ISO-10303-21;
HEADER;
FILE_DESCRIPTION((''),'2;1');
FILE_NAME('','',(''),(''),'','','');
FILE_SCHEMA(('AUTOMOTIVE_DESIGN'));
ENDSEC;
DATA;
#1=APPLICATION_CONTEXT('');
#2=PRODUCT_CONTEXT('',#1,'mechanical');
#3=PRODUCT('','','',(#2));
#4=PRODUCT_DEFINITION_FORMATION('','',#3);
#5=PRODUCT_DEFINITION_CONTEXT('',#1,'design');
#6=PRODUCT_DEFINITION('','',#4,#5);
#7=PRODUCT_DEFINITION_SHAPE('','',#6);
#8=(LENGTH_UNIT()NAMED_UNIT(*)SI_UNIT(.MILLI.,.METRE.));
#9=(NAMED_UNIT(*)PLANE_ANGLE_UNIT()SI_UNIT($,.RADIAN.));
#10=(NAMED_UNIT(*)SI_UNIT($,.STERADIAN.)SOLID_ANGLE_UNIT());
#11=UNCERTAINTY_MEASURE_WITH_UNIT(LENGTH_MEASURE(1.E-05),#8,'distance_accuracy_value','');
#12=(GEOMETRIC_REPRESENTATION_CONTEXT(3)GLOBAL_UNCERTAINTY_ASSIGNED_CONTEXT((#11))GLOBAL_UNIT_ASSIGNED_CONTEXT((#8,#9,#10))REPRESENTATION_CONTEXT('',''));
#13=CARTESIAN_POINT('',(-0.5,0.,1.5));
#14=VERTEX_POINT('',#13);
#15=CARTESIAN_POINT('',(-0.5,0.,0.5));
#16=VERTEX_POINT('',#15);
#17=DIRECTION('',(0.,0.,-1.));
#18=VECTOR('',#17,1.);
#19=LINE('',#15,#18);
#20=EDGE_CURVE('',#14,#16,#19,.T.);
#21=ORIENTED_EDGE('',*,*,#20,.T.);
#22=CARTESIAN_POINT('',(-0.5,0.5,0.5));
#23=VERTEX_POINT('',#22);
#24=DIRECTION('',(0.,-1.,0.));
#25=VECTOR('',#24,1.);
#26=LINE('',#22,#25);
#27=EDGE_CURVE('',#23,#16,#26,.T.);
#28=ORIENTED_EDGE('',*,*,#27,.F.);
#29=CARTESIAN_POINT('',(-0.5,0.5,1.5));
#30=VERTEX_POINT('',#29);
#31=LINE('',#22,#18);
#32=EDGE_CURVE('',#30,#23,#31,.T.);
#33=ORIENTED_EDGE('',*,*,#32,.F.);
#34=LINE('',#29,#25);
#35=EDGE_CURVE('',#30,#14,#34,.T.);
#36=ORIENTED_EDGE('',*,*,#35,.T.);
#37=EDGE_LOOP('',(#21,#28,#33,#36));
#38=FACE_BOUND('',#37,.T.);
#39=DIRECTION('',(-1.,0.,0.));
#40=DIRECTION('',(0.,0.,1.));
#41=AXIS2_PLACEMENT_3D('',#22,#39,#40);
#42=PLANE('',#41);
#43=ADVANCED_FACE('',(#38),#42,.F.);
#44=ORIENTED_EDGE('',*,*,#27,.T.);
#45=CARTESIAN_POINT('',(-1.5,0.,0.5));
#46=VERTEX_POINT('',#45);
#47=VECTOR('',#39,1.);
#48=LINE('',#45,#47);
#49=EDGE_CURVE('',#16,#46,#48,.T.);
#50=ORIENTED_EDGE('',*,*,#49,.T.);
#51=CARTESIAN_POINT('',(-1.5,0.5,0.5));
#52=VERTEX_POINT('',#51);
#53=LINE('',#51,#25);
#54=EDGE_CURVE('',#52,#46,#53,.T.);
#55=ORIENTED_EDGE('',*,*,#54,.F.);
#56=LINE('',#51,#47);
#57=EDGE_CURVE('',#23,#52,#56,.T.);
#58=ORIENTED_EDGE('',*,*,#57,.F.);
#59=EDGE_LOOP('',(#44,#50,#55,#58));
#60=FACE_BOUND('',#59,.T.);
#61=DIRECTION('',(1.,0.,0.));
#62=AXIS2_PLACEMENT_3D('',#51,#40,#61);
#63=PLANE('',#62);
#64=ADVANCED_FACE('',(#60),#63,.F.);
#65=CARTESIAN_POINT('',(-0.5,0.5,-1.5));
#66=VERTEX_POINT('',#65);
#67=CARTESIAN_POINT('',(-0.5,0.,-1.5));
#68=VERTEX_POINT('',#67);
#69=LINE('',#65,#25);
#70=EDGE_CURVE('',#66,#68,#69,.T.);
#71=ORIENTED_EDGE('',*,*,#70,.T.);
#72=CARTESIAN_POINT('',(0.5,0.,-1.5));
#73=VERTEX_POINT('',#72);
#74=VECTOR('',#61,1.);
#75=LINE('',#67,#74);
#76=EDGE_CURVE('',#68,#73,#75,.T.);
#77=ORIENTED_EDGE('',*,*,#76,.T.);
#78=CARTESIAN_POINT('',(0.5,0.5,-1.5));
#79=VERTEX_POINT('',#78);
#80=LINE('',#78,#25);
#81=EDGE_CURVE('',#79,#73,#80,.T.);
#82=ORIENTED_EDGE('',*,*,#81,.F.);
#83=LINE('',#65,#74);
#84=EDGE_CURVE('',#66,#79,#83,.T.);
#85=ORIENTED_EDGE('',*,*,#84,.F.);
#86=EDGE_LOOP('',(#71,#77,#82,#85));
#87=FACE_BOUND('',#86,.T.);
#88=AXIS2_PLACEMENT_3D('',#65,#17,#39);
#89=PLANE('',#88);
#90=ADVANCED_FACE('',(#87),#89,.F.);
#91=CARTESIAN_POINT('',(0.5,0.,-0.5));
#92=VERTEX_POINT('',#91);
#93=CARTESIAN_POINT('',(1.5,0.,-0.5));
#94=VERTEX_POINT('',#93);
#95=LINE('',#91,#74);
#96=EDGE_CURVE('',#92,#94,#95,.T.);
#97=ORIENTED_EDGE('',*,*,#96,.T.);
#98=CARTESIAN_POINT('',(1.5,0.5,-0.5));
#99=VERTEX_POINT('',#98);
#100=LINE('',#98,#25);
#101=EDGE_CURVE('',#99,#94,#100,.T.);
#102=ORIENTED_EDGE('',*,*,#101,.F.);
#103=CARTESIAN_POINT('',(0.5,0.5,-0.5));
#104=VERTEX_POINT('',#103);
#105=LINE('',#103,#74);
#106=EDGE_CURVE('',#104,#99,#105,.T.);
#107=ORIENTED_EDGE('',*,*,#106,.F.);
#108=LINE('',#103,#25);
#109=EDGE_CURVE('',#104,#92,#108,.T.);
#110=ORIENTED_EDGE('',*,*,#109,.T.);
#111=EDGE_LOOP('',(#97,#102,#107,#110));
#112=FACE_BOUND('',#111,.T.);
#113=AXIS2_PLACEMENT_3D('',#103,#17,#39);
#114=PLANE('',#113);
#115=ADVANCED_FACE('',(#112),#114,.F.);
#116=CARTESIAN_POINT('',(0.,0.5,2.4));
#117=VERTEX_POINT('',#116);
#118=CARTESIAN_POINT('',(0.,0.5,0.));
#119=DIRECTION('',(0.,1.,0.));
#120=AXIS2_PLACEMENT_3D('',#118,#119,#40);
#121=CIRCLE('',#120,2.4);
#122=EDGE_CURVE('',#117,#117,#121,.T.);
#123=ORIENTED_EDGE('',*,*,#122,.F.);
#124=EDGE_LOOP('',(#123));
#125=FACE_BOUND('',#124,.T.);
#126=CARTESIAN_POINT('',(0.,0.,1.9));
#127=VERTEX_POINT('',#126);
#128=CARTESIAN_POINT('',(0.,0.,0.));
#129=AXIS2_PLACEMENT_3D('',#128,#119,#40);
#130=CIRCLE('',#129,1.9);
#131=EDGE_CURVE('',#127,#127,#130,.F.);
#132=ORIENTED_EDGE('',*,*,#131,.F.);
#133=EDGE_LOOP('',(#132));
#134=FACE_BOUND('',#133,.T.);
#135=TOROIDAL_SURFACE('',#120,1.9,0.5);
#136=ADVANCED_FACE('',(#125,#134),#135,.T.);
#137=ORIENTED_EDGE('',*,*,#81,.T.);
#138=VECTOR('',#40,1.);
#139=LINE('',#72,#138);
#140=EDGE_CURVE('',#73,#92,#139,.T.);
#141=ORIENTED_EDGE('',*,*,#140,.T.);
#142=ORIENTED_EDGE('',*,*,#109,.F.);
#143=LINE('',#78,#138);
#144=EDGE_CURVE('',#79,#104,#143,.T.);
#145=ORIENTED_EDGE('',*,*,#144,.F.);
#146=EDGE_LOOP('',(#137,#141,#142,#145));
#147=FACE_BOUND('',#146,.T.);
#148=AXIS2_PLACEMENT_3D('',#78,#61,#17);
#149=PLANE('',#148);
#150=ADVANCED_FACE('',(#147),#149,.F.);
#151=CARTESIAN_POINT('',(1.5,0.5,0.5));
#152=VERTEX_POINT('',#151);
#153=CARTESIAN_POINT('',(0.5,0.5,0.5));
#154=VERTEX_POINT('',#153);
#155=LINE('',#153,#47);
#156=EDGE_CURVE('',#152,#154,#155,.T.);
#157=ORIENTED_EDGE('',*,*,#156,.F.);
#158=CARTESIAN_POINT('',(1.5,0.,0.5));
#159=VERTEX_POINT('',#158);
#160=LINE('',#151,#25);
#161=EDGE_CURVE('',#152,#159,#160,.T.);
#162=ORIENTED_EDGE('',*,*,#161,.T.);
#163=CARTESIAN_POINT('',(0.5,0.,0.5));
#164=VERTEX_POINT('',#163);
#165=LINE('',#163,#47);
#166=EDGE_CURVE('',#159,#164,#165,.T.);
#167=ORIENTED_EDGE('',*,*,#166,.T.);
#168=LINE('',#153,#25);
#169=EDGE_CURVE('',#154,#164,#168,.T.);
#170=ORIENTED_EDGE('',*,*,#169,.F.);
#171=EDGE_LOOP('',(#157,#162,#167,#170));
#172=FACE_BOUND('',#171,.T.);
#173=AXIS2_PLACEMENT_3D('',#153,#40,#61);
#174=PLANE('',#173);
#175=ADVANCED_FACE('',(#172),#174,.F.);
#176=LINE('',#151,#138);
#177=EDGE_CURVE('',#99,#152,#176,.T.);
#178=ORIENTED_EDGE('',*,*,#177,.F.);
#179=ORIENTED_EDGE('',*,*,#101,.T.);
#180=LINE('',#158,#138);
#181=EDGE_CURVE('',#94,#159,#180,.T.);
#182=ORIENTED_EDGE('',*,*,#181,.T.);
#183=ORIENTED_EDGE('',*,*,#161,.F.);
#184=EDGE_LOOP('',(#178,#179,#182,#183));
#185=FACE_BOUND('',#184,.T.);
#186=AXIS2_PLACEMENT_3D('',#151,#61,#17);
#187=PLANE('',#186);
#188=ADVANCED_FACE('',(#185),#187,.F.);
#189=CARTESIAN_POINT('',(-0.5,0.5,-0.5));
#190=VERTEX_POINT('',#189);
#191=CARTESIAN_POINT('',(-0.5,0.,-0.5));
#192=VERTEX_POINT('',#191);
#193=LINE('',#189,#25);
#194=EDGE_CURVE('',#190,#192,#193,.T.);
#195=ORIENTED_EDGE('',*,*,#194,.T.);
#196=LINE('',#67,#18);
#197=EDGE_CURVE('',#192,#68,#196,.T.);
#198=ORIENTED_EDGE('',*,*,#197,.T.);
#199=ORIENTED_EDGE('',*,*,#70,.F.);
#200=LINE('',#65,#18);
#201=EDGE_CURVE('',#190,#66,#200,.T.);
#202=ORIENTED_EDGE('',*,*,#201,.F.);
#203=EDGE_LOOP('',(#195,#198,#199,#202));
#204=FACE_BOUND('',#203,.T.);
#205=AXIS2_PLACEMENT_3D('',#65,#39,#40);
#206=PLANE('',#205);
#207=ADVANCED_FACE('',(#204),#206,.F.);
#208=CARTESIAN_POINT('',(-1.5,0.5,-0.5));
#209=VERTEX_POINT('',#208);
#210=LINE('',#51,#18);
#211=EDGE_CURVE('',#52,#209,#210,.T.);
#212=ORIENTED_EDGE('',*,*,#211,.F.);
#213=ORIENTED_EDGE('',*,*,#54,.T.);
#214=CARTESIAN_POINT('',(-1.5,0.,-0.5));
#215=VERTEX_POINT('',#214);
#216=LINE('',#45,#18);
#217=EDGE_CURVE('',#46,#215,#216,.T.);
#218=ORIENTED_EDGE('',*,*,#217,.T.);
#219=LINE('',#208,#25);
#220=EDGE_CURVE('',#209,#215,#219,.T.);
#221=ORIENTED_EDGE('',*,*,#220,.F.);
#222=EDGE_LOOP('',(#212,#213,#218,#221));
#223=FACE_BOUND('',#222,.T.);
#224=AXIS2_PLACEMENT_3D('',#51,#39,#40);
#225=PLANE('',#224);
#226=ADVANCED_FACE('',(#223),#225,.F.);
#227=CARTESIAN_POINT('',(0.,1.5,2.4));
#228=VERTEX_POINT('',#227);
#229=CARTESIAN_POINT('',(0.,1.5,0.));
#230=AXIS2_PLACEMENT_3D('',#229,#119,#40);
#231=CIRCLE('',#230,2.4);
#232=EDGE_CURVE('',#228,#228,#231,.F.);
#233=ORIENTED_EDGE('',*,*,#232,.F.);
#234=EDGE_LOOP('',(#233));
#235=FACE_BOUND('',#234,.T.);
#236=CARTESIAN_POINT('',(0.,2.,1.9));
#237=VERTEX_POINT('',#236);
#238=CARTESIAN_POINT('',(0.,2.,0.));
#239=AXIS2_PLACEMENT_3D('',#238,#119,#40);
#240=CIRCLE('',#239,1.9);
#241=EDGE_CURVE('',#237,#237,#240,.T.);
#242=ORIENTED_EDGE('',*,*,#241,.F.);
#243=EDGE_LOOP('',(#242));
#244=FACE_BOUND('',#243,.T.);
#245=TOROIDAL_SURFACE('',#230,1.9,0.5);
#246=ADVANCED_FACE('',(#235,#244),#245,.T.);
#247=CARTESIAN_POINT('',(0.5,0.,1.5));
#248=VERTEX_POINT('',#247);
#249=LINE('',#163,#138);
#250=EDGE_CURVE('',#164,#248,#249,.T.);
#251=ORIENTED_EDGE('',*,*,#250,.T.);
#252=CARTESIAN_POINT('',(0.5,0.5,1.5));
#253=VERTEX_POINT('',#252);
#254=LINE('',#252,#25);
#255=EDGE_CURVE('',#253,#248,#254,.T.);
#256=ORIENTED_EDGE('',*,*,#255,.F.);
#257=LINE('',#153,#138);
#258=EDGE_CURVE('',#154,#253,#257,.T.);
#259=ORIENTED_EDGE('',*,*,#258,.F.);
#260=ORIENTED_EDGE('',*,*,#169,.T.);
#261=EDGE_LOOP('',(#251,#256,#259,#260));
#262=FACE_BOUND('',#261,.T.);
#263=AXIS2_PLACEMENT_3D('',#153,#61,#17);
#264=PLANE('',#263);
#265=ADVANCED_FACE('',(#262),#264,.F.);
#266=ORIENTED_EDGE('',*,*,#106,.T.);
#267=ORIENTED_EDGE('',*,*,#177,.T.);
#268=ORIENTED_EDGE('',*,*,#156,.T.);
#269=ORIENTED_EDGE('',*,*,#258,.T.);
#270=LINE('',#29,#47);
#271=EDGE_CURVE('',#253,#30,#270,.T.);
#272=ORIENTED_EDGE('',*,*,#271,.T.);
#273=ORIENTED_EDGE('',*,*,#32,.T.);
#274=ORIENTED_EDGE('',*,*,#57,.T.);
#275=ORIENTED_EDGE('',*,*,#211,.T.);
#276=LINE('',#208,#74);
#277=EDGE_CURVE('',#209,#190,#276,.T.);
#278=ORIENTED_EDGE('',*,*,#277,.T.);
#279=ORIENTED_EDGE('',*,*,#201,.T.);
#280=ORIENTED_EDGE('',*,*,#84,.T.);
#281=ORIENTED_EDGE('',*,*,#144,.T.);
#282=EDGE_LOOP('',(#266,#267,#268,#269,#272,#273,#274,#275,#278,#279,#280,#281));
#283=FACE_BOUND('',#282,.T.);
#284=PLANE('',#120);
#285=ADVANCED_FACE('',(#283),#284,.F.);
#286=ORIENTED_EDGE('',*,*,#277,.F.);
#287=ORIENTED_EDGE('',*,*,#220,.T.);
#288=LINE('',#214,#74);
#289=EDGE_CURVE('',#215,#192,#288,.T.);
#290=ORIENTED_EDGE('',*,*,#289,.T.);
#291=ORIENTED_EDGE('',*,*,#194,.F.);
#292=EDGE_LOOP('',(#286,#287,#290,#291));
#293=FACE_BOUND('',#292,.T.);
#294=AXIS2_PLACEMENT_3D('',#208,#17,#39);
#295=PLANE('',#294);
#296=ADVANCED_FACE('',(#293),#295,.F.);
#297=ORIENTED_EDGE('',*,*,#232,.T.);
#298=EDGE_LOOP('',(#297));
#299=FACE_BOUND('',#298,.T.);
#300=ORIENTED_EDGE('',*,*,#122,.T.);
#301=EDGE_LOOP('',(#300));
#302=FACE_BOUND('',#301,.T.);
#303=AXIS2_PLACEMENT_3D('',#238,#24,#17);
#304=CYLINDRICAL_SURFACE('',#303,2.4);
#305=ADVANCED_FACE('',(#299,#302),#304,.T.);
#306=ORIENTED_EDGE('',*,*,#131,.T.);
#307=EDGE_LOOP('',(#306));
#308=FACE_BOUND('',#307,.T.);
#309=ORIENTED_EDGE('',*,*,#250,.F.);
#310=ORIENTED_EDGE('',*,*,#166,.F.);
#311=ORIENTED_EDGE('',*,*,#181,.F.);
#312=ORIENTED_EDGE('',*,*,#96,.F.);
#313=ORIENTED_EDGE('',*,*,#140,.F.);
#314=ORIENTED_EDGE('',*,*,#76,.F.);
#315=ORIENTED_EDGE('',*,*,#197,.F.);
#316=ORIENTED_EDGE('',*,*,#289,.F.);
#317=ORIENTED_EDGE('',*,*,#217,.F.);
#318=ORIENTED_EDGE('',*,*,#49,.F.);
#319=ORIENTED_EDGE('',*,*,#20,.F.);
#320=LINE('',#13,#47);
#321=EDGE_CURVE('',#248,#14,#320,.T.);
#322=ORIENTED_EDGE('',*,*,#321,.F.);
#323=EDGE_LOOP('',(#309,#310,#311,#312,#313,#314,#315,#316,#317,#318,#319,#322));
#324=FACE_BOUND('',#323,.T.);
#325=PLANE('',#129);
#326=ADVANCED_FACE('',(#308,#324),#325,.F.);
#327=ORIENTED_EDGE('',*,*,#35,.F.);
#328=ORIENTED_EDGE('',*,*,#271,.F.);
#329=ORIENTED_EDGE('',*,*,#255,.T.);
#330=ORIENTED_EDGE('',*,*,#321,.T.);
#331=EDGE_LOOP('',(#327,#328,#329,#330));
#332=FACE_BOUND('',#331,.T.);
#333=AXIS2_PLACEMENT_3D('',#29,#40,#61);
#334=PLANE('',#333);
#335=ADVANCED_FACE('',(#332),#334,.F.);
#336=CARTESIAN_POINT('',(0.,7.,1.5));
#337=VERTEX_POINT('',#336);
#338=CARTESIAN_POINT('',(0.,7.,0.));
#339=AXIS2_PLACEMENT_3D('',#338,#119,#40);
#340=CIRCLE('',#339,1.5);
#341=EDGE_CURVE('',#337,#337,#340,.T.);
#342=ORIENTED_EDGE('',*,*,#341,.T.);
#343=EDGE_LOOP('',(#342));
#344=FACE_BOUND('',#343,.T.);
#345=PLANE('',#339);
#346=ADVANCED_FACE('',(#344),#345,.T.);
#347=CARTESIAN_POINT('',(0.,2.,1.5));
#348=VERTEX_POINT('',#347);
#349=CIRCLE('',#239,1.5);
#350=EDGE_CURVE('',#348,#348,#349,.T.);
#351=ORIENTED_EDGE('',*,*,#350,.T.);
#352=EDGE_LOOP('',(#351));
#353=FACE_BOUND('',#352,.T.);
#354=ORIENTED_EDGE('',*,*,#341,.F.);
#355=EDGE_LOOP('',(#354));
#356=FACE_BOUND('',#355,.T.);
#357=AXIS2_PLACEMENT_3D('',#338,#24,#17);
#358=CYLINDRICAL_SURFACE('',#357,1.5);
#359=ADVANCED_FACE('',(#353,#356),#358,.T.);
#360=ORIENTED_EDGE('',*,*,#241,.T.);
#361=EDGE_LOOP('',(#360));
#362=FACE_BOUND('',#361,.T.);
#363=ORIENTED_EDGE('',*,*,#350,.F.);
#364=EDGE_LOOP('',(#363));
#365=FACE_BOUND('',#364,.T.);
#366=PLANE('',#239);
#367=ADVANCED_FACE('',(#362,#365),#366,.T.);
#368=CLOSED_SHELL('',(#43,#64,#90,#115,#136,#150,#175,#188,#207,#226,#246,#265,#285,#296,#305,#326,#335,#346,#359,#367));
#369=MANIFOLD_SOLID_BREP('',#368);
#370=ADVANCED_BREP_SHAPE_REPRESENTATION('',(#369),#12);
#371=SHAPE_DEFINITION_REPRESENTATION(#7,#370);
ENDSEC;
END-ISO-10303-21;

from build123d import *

# Parameters (mm, degrees)
SKETCH1_R           = 2.4
BOSS_EXTRUDE1_DEPTH = 2
SKETCH2_R           = 1.5
BOSS_EXTRUDE2_DEPTH = 5
FILLET1_R           = 0.5
CUT_EXTRUDE1_DEPTH  = 0.5


with BuildPart() as part:
    # Sketch1 → Boss-Extrude1 (new body)
    with BuildSketch(Plane(origin=(0, 0, 0), x_dir=(1, 0, 0), z_dir=(0, 1, 0))):
        with Locations(Location((0, 0, 0), (0, 0, 270))):
            Circle(SKETCH1_R)
    extrude(amount=BOSS_EXTRUDE1_DEPTH)

    # Sketch2 → Boss-Extrude2 (add)
    with BuildSketch(Plane(origin=(0, 2, 0), x_dir=(1, 0, 0), z_dir=(0, 1, 0))):
        with Locations(Location((0, 0, 0), (0, 0, 270))):
            Circle(SKETCH2_R)
    extrude(amount=BOSS_EXTRUDE2_DEPTH)

    # Fillet1
    fillet1_edges = [part.edges().sort_by_distance(p)[0] for p in [
        (0, 0, -2.4),
        (0, 2, -2.4),
    ]]
    fillet(fillet1_edges, radius=FILLET1_R)

    # Sketch3 → Cut-Extrude1 (cut)
    with BuildSketch(Plane.XZ):
        Polygon((0.5, 0.5), (1.5, 0.5), (1.5, -0.5), (0.5, -0.5), (0.5, -1.5), (-0.5, -1.5), (-0.5, -0.5), (-1.5, -0.5), (-1.5, 0.5), (-0.5, 0.5), (-0.5, 1.5), (0.5, 1.5), align=None)
    extrude(amount=-CUT_EXTRUDE1_DEPTH, mode=Mode.SUBTRACT)


solid = part.part
